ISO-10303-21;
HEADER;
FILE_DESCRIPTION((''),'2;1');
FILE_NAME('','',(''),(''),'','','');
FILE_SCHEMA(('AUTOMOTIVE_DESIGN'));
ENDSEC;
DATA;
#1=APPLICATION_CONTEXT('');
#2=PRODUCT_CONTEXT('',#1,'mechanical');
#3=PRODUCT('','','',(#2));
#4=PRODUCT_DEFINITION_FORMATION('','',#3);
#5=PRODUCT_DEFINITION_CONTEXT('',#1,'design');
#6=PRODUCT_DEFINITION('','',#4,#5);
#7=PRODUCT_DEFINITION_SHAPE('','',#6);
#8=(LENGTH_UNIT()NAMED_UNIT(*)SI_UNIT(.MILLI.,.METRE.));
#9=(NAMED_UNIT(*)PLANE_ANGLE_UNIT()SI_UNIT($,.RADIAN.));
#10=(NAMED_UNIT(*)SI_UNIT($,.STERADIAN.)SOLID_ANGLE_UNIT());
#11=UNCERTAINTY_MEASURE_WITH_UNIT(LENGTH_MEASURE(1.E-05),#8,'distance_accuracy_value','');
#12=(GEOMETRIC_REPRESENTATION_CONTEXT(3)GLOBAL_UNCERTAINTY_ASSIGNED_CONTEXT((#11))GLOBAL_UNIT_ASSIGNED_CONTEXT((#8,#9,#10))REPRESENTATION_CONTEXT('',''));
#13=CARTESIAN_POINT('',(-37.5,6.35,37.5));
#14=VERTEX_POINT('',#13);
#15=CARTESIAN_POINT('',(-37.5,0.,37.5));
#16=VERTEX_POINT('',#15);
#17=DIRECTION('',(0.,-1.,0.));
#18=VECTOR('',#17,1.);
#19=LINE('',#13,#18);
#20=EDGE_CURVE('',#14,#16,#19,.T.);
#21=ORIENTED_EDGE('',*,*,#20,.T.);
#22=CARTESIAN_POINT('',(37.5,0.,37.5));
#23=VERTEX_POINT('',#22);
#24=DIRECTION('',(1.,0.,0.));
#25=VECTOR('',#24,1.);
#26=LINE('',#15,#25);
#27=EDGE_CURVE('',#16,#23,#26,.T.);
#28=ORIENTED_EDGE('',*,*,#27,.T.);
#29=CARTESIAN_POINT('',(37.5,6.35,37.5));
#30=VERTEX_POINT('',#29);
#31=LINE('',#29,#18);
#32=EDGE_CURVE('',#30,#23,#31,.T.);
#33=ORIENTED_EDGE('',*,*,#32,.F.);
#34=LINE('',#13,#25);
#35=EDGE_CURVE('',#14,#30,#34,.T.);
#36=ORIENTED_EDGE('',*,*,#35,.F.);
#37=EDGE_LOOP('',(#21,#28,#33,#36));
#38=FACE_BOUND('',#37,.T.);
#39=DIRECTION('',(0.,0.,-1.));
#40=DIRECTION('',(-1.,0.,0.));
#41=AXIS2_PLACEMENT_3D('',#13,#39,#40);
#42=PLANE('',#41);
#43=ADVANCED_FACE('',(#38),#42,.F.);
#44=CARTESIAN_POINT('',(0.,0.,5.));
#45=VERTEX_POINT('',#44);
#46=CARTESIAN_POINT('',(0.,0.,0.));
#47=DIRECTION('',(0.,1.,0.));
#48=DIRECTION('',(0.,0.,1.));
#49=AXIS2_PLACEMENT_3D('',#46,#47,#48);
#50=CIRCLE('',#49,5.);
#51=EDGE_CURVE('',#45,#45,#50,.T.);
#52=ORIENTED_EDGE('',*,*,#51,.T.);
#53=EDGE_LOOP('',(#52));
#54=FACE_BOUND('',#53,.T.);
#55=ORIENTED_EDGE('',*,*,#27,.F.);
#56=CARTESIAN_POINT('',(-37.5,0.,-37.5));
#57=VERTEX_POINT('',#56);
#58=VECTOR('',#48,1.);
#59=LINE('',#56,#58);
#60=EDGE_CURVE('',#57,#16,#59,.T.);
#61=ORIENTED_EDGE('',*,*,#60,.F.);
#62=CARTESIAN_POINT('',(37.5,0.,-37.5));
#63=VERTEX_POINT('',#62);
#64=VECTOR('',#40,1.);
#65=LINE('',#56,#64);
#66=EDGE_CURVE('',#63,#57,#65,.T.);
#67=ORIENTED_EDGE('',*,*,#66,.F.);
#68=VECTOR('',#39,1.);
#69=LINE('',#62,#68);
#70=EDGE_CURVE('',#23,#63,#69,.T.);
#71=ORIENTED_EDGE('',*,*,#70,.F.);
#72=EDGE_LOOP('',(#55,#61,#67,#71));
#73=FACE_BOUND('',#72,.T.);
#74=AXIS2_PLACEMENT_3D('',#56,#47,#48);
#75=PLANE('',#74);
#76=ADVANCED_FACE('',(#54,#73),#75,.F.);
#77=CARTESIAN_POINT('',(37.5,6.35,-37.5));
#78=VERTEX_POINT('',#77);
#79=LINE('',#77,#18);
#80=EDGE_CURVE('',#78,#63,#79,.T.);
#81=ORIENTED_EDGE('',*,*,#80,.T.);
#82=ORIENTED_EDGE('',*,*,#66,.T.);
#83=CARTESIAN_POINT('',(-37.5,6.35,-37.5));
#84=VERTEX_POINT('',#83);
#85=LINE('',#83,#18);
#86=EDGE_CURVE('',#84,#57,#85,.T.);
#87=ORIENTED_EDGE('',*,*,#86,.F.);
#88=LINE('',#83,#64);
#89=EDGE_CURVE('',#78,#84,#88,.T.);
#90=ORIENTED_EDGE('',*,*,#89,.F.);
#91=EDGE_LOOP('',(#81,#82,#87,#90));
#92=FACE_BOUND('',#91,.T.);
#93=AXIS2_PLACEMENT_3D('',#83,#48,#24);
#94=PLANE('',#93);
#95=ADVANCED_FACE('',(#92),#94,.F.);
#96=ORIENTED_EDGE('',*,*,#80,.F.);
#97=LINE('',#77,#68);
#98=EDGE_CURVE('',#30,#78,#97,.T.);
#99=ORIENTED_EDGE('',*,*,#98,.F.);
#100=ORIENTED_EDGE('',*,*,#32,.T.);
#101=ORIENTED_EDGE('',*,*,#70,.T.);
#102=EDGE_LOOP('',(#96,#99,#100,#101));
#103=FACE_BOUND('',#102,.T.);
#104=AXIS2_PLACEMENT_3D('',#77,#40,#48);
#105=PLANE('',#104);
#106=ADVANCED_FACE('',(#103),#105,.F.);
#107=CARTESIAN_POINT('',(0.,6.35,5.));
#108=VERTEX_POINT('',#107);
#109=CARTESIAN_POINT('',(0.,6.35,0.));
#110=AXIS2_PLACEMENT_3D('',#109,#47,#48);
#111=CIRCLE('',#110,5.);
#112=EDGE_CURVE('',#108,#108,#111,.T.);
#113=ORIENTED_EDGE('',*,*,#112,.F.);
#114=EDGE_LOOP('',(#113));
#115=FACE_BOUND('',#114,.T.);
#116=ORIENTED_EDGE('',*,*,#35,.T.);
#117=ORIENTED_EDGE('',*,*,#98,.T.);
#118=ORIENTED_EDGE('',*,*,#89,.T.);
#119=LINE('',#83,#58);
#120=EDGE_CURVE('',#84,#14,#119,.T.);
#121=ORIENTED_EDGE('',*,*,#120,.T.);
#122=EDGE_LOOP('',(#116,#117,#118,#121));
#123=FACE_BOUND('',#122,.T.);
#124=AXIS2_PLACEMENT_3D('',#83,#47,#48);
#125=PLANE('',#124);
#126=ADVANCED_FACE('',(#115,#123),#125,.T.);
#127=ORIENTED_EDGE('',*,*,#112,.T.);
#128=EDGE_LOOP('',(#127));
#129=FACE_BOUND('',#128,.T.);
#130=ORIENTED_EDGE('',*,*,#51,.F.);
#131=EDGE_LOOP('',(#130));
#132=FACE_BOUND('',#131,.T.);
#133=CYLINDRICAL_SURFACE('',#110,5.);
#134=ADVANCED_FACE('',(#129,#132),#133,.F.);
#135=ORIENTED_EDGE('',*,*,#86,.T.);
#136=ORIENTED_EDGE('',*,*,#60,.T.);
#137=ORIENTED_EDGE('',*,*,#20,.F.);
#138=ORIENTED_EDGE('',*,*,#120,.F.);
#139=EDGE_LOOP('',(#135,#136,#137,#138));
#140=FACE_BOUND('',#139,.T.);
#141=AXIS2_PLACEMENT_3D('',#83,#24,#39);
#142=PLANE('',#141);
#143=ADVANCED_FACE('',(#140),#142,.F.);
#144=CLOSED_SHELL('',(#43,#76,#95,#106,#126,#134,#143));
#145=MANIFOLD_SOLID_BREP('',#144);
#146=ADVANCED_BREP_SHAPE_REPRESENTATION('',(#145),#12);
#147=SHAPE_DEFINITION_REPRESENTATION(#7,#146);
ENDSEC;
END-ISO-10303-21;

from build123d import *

# Parameters (mm, degrees)
SKETCH1_W                  = 75
SKETCH1_H                  = 75
EXTRUDE1_DEPTH             = 6.35
F_10_0_10_DIAMETER_HOLE1_D = 10


with BuildPart() as part:
    # Sketch1 → Extrude1 (new body)
    with BuildSketch(Plane(origin=(0, 0, 0), x_dir=(1, 0, 0), z_dir=(0, 1, 0))):
        Rectangle(SKETCH1_W, SKETCH1_H)
    extrude(amount=EXTRUDE1_DEPTH)

    # Ø10.0 (10) Diameter Hole1 (through all)
    with Locations(Plane(origin=(0, 6.35, 0), x_dir=(-1, 0, 0), z_dir=(0, 1, 0))):
        with Locations((0, 0)):
            Hole(F_10_0_10_DIAMETER_HOLE1_D / 2)


solid = part.part
